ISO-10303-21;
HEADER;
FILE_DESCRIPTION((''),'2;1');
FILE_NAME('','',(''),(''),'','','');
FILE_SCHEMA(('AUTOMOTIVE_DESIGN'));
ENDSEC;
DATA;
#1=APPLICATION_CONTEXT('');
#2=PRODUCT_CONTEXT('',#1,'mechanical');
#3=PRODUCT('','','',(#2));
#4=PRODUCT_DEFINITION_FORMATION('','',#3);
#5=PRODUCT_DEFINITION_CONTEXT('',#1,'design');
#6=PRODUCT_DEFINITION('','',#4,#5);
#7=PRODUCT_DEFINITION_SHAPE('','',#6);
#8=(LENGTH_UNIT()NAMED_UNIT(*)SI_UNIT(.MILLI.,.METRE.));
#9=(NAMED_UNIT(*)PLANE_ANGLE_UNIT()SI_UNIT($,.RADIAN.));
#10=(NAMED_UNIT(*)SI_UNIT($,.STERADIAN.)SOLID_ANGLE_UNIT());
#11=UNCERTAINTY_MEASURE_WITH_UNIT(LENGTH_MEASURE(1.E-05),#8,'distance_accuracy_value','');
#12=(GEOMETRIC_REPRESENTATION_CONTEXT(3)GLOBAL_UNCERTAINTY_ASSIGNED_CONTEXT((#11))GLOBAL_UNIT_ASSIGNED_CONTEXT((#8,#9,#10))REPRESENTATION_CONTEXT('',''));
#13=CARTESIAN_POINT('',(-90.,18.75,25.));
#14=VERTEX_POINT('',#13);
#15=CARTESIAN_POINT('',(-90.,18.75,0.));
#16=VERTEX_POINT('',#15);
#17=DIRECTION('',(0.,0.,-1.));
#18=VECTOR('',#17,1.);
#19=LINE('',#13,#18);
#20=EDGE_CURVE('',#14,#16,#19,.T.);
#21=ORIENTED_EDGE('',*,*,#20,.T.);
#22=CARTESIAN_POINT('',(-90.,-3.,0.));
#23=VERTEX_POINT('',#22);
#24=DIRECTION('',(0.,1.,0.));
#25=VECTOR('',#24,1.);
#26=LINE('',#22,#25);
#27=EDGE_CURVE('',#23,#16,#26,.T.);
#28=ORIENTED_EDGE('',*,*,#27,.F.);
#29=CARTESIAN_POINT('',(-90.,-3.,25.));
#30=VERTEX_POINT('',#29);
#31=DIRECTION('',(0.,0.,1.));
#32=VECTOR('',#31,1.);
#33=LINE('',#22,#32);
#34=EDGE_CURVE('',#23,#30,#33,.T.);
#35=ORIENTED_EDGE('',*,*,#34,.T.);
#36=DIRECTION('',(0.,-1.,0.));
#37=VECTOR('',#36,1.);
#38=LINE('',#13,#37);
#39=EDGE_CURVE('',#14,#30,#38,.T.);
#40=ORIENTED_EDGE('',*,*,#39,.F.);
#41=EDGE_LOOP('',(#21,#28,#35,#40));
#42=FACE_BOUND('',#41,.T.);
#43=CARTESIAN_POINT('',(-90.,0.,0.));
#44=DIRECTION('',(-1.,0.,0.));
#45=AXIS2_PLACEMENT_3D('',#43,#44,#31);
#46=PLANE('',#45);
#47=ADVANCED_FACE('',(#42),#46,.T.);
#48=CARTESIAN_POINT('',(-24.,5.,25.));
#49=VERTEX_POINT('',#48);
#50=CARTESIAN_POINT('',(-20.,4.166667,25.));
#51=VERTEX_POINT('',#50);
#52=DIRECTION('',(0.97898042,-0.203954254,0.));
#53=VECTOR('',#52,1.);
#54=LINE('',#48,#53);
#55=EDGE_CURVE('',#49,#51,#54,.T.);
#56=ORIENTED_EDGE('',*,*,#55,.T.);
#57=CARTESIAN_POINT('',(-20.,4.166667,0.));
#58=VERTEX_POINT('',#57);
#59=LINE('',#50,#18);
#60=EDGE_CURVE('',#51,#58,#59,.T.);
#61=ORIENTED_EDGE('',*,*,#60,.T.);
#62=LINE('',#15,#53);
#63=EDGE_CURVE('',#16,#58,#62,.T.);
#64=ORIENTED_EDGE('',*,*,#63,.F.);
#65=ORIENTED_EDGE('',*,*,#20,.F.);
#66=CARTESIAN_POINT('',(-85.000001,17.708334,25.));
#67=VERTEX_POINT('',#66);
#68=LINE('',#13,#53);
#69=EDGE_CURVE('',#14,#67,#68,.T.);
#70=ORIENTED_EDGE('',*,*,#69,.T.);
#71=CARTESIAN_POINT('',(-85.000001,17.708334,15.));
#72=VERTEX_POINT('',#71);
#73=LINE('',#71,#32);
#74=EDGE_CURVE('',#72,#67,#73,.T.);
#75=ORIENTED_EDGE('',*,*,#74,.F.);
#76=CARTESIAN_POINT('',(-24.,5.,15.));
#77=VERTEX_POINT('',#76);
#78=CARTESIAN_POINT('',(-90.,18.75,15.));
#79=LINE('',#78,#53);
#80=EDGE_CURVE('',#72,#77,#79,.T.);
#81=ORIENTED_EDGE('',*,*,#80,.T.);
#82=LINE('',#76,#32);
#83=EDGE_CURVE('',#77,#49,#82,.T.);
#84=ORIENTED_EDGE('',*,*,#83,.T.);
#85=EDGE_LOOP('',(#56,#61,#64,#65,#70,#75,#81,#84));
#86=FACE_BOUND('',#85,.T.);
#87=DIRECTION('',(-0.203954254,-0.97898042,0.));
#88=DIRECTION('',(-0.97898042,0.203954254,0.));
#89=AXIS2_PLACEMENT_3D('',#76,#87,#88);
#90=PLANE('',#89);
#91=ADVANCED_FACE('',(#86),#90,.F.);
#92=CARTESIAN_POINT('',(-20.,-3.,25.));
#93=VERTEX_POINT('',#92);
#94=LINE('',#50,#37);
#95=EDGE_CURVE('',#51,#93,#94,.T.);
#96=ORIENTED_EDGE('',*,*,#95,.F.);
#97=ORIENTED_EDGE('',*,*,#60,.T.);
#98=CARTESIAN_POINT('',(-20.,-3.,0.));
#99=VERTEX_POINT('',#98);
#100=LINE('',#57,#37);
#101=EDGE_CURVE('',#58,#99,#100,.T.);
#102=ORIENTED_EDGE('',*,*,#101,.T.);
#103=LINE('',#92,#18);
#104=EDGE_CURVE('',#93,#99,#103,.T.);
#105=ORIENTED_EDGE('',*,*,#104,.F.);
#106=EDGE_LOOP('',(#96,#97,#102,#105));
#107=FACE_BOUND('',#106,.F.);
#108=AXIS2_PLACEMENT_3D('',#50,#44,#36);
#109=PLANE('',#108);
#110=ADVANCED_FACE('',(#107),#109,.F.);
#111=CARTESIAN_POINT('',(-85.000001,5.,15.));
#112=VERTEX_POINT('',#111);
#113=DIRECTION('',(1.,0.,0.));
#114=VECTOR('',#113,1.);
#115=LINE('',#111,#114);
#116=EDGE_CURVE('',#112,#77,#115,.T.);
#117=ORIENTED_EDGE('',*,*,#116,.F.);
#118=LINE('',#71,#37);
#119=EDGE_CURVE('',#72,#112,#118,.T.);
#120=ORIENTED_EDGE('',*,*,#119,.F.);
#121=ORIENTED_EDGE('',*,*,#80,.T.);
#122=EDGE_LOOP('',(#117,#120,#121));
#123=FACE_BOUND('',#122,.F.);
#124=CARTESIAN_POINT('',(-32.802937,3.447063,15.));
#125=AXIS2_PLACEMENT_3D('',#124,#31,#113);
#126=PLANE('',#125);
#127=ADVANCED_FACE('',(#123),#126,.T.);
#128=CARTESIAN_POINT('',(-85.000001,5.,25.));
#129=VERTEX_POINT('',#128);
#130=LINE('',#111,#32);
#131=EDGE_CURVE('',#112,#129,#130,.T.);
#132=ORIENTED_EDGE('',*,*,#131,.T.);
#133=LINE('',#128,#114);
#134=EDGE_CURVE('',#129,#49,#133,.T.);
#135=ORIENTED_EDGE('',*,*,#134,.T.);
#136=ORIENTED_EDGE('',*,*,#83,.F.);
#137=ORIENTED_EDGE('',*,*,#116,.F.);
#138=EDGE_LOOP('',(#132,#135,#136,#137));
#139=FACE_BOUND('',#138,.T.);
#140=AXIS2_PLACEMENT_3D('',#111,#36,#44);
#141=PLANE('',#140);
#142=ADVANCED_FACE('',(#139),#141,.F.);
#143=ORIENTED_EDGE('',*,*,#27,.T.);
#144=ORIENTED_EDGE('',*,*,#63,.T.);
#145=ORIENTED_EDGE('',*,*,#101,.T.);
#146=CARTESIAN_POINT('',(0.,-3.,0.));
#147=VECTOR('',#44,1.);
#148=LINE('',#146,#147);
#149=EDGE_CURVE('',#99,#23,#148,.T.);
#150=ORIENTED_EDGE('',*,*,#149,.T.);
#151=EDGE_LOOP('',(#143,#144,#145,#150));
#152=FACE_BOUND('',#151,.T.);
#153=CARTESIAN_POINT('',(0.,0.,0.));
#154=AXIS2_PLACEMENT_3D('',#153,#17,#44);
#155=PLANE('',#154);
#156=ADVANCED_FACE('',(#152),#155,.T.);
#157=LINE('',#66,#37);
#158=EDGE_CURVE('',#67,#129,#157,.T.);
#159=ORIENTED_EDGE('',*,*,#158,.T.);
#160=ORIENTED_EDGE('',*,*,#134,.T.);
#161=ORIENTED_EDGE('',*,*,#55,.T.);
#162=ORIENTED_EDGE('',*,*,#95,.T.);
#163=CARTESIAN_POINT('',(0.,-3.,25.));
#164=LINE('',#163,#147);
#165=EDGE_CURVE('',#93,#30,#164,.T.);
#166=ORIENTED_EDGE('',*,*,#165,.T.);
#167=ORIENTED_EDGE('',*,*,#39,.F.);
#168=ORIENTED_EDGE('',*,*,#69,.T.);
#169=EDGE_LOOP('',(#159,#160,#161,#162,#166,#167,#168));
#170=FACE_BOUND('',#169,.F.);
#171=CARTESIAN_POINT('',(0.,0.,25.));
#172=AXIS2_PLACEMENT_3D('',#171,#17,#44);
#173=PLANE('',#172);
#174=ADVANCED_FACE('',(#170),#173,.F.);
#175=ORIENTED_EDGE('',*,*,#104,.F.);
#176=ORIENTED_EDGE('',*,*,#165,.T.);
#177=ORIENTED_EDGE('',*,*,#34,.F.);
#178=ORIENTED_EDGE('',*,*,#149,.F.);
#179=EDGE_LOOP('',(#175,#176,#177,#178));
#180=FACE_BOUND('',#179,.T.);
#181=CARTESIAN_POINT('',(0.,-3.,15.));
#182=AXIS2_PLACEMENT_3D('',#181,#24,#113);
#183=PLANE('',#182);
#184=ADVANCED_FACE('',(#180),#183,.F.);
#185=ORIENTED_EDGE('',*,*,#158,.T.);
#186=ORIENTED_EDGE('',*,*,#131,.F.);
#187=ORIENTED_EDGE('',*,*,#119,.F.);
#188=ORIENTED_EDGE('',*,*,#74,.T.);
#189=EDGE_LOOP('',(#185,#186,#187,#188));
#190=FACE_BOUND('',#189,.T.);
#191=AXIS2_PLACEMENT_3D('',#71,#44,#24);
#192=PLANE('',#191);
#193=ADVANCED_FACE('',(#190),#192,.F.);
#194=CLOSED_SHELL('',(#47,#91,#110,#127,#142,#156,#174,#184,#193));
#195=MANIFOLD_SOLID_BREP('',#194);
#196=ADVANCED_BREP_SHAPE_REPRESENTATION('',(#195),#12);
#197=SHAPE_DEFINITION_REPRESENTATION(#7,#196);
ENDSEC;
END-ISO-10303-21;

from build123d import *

# Parameters (mm, degrees)
F1_DEPTH = 15
F3_DEPTH = 10
F6_DEPTH = 3
F8_DEPTH = 25


with BuildPart() as f1:
    # F0 (on Top) → F1 (new body)
    with BuildSketch(Plane.XY):
        Polygon((60, 12.5), (0, 0), (60, 0), align=None)
        Polygon((60, 12.5), (60, 0), (90, 0), (90, 18.75), align=None)
    extrude(amount=F1_DEPTH)

    # F2 (on face) → F3 (join)
    with BuildSketch(Plane.XY.offset(15)):
        Polygon((0, 0), (90, 0), (90, 18.75), (85.0000008941, 17.7083335196), (85.0000008941, 5), (24, 5), align=None)
    extrude(amount=F3_DEPTH)


with BuildPart() as f4_1:
    # F4: instance of F1
    add(f1.part.mirror(Plane.YZ))

    # F6 (add): a face of the model
    f6_faces = [f4_1.faces().sort_by_distance(p)[0] for p in [
        (-45, 0, 12.5),
    ]]
    extrude(f6_faces, amount=F6_DEPTH)

    # F7 (on face) → F8 (cut, through all)
    with BuildSketch(Plane.XY.offset(25)):
        Polygon((-20, -3), (0, -3), (0, 0), (-20, 4.1666666667), align=None)
    extrude(amount=-F8_DEPTH, mode=Mode.SUBTRACT)


solid = f4_1.part
